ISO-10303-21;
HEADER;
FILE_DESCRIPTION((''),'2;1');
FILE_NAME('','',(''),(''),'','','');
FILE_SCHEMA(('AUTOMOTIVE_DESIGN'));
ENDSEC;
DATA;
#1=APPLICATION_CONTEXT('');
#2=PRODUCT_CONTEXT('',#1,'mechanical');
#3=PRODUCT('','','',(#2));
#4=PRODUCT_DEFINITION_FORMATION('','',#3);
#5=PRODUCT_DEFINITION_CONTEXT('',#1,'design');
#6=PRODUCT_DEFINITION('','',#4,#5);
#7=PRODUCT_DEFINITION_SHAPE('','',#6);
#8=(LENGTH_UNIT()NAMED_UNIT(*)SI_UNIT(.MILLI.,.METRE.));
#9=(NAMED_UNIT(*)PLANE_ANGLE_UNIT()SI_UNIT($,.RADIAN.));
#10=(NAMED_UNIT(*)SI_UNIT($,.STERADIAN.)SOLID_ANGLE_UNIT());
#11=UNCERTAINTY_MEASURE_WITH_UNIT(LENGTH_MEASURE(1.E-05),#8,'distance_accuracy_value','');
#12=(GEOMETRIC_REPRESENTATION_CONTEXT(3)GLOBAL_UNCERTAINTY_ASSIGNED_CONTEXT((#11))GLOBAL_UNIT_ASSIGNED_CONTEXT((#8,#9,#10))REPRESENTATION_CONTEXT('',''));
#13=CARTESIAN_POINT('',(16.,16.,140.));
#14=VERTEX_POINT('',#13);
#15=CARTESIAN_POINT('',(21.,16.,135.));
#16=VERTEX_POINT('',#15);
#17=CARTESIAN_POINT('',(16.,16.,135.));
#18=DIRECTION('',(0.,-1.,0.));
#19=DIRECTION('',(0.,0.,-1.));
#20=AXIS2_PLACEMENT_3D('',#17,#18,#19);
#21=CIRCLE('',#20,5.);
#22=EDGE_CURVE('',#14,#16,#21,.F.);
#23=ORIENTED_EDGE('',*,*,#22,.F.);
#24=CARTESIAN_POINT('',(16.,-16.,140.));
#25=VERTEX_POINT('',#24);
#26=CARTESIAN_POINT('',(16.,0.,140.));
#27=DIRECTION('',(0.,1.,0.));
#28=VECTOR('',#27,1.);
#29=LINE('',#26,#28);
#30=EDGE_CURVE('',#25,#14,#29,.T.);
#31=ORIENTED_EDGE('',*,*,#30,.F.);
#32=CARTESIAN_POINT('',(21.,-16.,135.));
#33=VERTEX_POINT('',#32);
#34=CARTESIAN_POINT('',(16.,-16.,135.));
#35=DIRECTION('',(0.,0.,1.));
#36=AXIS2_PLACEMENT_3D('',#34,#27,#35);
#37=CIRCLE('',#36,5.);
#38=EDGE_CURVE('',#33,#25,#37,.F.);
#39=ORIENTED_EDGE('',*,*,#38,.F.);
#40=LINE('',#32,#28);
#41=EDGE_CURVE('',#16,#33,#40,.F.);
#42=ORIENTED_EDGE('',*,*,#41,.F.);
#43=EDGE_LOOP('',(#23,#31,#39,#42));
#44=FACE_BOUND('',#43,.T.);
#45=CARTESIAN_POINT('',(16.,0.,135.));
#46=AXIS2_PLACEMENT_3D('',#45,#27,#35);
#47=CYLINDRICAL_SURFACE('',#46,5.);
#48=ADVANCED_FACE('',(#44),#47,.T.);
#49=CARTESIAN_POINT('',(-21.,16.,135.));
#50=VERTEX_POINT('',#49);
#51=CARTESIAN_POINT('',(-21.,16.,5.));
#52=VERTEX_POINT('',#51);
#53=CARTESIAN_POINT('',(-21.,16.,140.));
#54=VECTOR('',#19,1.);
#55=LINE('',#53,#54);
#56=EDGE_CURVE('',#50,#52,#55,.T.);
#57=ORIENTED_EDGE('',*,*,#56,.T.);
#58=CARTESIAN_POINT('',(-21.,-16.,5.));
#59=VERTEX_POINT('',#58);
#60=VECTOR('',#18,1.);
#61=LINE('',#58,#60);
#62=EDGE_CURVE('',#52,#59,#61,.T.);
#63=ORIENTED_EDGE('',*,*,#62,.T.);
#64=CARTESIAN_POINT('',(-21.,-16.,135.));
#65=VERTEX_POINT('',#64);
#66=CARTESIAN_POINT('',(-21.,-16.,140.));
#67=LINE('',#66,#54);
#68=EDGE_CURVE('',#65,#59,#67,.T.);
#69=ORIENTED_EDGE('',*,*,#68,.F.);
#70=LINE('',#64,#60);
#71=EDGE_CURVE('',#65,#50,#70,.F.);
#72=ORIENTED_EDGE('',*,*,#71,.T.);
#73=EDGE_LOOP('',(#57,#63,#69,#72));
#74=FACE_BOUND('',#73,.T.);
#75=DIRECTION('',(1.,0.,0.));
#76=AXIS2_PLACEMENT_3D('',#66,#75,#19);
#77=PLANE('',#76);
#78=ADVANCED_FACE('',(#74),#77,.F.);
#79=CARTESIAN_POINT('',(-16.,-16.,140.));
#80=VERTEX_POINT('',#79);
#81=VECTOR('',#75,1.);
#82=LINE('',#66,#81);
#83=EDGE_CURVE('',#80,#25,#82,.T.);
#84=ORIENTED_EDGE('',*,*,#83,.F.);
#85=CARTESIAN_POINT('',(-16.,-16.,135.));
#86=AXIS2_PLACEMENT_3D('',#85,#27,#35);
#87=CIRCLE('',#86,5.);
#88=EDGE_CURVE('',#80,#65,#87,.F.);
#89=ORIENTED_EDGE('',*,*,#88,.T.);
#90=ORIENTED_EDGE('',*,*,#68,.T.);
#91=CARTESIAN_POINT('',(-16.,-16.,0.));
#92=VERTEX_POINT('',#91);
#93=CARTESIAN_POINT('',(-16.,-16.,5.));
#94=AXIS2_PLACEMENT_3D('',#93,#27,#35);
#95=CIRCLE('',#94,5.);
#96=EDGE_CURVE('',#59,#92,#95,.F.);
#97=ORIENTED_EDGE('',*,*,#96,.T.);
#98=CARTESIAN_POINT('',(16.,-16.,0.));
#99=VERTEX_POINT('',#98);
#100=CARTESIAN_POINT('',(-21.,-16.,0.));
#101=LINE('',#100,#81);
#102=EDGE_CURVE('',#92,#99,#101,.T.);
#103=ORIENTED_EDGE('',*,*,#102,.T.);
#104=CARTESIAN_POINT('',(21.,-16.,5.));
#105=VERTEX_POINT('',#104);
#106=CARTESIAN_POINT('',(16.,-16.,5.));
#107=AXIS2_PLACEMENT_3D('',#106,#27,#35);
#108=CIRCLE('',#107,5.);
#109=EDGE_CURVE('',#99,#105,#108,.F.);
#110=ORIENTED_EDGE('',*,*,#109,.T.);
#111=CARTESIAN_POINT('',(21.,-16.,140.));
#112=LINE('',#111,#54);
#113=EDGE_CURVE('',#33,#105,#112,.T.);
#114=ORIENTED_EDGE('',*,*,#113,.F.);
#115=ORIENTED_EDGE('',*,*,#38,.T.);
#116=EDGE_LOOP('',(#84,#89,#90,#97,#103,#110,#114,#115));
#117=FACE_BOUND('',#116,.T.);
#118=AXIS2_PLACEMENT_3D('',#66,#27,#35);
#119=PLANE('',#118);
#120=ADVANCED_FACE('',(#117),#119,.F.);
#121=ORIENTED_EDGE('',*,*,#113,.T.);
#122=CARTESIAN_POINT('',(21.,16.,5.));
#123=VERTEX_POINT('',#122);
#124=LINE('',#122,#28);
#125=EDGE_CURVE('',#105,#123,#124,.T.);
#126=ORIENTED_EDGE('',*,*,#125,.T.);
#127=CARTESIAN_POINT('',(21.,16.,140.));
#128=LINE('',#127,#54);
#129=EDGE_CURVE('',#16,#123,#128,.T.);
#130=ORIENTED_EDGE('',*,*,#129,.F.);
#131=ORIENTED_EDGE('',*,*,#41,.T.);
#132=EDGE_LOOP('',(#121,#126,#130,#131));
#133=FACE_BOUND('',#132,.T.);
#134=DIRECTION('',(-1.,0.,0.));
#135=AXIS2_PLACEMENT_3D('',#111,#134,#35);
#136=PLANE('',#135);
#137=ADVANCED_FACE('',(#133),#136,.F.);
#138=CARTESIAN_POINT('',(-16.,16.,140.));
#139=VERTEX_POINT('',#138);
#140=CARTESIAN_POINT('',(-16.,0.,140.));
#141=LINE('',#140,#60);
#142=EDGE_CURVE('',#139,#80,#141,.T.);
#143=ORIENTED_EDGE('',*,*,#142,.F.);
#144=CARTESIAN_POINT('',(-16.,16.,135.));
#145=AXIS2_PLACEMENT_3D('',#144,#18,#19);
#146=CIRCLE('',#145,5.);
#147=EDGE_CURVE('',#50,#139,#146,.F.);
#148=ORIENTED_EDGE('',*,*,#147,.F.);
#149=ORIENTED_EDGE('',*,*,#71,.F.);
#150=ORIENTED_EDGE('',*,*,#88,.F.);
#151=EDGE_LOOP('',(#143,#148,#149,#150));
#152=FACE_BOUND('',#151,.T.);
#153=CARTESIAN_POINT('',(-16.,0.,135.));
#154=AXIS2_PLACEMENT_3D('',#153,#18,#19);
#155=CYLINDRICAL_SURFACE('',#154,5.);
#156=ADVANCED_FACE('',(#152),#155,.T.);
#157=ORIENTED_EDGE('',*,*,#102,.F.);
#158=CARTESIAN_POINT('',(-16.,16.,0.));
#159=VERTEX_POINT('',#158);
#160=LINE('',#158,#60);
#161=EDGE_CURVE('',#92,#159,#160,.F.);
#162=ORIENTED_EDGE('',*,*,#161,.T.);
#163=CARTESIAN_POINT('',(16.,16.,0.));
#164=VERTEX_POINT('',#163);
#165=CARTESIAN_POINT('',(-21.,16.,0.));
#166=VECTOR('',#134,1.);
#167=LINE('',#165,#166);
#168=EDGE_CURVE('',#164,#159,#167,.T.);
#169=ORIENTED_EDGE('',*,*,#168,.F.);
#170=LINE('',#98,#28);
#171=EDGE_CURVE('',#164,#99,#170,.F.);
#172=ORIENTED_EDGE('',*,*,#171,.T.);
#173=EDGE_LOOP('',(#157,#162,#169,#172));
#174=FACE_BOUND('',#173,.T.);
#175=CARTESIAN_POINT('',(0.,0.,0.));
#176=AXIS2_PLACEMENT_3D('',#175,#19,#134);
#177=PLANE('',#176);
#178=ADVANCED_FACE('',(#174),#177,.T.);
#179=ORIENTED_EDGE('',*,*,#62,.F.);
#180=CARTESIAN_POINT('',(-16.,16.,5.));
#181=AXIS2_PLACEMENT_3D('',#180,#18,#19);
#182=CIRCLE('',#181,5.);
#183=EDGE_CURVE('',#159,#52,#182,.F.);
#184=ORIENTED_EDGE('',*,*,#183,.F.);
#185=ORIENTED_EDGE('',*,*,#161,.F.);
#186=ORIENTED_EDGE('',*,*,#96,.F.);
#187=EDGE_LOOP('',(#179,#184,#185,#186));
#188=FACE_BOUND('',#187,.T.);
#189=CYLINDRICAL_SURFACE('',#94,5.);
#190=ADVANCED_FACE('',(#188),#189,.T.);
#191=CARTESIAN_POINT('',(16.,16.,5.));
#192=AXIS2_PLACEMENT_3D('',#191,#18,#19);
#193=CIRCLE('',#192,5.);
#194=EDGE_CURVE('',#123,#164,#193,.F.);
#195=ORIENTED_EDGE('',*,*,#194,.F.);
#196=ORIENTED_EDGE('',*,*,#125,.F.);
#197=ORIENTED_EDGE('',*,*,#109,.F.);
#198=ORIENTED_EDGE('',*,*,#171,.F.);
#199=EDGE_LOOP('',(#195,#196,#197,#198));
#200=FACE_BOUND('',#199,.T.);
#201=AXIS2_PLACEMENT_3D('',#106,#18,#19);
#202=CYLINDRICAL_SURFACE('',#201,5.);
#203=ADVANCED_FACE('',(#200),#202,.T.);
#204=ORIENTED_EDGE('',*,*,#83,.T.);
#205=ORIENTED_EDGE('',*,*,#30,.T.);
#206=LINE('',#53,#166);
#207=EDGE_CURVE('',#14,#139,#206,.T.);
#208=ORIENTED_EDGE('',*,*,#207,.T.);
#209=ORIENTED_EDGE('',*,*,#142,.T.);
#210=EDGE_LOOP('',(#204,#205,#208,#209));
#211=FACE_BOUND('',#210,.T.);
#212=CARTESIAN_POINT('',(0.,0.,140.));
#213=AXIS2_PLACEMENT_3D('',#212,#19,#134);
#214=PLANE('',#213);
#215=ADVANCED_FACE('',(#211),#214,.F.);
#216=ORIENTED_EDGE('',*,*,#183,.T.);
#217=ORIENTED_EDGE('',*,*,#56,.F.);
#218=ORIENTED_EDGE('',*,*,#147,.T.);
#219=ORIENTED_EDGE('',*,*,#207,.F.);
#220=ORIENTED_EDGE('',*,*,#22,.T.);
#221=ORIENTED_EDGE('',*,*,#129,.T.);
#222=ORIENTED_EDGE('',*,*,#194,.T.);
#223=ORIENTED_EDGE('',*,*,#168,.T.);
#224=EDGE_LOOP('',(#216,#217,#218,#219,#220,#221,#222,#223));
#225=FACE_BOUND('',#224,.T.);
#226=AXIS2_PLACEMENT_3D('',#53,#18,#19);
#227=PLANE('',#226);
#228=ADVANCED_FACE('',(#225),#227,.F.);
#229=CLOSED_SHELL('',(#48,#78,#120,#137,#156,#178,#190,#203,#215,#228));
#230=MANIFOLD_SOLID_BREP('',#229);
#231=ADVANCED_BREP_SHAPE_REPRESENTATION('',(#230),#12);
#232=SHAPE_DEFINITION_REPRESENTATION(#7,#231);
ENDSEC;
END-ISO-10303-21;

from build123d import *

# Parameters (mm, degrees)
IZIM1_W                     = 42
IZIM1_H                     = 32
Y_KSEKLIK_EKSTR_ZYON1_DEPTH = 140
RADYUS1_R                   = 5


with BuildPart() as part:
    # Çizim1 → Yükseklik-Ekstrüzyon1 (new body)
    with BuildSketch(Plane.XY):
        Rectangle(IZIM1_W, IZIM1_H)
    extrude(amount=Y_KSEKLIK_EKSTR_ZYON1_DEPTH)

    # Radyus1
    radyus1_edges = [part.edges().sort_by_distance(p)[0] for p in [
        (-21, 0, 140),
        (21, 0, 140),
        (-21, 0, 0),
        (21, 0, 0),
    ]]
    fillet(radyus1_edges, radius=RADYUS1_R)


solid = part.part
